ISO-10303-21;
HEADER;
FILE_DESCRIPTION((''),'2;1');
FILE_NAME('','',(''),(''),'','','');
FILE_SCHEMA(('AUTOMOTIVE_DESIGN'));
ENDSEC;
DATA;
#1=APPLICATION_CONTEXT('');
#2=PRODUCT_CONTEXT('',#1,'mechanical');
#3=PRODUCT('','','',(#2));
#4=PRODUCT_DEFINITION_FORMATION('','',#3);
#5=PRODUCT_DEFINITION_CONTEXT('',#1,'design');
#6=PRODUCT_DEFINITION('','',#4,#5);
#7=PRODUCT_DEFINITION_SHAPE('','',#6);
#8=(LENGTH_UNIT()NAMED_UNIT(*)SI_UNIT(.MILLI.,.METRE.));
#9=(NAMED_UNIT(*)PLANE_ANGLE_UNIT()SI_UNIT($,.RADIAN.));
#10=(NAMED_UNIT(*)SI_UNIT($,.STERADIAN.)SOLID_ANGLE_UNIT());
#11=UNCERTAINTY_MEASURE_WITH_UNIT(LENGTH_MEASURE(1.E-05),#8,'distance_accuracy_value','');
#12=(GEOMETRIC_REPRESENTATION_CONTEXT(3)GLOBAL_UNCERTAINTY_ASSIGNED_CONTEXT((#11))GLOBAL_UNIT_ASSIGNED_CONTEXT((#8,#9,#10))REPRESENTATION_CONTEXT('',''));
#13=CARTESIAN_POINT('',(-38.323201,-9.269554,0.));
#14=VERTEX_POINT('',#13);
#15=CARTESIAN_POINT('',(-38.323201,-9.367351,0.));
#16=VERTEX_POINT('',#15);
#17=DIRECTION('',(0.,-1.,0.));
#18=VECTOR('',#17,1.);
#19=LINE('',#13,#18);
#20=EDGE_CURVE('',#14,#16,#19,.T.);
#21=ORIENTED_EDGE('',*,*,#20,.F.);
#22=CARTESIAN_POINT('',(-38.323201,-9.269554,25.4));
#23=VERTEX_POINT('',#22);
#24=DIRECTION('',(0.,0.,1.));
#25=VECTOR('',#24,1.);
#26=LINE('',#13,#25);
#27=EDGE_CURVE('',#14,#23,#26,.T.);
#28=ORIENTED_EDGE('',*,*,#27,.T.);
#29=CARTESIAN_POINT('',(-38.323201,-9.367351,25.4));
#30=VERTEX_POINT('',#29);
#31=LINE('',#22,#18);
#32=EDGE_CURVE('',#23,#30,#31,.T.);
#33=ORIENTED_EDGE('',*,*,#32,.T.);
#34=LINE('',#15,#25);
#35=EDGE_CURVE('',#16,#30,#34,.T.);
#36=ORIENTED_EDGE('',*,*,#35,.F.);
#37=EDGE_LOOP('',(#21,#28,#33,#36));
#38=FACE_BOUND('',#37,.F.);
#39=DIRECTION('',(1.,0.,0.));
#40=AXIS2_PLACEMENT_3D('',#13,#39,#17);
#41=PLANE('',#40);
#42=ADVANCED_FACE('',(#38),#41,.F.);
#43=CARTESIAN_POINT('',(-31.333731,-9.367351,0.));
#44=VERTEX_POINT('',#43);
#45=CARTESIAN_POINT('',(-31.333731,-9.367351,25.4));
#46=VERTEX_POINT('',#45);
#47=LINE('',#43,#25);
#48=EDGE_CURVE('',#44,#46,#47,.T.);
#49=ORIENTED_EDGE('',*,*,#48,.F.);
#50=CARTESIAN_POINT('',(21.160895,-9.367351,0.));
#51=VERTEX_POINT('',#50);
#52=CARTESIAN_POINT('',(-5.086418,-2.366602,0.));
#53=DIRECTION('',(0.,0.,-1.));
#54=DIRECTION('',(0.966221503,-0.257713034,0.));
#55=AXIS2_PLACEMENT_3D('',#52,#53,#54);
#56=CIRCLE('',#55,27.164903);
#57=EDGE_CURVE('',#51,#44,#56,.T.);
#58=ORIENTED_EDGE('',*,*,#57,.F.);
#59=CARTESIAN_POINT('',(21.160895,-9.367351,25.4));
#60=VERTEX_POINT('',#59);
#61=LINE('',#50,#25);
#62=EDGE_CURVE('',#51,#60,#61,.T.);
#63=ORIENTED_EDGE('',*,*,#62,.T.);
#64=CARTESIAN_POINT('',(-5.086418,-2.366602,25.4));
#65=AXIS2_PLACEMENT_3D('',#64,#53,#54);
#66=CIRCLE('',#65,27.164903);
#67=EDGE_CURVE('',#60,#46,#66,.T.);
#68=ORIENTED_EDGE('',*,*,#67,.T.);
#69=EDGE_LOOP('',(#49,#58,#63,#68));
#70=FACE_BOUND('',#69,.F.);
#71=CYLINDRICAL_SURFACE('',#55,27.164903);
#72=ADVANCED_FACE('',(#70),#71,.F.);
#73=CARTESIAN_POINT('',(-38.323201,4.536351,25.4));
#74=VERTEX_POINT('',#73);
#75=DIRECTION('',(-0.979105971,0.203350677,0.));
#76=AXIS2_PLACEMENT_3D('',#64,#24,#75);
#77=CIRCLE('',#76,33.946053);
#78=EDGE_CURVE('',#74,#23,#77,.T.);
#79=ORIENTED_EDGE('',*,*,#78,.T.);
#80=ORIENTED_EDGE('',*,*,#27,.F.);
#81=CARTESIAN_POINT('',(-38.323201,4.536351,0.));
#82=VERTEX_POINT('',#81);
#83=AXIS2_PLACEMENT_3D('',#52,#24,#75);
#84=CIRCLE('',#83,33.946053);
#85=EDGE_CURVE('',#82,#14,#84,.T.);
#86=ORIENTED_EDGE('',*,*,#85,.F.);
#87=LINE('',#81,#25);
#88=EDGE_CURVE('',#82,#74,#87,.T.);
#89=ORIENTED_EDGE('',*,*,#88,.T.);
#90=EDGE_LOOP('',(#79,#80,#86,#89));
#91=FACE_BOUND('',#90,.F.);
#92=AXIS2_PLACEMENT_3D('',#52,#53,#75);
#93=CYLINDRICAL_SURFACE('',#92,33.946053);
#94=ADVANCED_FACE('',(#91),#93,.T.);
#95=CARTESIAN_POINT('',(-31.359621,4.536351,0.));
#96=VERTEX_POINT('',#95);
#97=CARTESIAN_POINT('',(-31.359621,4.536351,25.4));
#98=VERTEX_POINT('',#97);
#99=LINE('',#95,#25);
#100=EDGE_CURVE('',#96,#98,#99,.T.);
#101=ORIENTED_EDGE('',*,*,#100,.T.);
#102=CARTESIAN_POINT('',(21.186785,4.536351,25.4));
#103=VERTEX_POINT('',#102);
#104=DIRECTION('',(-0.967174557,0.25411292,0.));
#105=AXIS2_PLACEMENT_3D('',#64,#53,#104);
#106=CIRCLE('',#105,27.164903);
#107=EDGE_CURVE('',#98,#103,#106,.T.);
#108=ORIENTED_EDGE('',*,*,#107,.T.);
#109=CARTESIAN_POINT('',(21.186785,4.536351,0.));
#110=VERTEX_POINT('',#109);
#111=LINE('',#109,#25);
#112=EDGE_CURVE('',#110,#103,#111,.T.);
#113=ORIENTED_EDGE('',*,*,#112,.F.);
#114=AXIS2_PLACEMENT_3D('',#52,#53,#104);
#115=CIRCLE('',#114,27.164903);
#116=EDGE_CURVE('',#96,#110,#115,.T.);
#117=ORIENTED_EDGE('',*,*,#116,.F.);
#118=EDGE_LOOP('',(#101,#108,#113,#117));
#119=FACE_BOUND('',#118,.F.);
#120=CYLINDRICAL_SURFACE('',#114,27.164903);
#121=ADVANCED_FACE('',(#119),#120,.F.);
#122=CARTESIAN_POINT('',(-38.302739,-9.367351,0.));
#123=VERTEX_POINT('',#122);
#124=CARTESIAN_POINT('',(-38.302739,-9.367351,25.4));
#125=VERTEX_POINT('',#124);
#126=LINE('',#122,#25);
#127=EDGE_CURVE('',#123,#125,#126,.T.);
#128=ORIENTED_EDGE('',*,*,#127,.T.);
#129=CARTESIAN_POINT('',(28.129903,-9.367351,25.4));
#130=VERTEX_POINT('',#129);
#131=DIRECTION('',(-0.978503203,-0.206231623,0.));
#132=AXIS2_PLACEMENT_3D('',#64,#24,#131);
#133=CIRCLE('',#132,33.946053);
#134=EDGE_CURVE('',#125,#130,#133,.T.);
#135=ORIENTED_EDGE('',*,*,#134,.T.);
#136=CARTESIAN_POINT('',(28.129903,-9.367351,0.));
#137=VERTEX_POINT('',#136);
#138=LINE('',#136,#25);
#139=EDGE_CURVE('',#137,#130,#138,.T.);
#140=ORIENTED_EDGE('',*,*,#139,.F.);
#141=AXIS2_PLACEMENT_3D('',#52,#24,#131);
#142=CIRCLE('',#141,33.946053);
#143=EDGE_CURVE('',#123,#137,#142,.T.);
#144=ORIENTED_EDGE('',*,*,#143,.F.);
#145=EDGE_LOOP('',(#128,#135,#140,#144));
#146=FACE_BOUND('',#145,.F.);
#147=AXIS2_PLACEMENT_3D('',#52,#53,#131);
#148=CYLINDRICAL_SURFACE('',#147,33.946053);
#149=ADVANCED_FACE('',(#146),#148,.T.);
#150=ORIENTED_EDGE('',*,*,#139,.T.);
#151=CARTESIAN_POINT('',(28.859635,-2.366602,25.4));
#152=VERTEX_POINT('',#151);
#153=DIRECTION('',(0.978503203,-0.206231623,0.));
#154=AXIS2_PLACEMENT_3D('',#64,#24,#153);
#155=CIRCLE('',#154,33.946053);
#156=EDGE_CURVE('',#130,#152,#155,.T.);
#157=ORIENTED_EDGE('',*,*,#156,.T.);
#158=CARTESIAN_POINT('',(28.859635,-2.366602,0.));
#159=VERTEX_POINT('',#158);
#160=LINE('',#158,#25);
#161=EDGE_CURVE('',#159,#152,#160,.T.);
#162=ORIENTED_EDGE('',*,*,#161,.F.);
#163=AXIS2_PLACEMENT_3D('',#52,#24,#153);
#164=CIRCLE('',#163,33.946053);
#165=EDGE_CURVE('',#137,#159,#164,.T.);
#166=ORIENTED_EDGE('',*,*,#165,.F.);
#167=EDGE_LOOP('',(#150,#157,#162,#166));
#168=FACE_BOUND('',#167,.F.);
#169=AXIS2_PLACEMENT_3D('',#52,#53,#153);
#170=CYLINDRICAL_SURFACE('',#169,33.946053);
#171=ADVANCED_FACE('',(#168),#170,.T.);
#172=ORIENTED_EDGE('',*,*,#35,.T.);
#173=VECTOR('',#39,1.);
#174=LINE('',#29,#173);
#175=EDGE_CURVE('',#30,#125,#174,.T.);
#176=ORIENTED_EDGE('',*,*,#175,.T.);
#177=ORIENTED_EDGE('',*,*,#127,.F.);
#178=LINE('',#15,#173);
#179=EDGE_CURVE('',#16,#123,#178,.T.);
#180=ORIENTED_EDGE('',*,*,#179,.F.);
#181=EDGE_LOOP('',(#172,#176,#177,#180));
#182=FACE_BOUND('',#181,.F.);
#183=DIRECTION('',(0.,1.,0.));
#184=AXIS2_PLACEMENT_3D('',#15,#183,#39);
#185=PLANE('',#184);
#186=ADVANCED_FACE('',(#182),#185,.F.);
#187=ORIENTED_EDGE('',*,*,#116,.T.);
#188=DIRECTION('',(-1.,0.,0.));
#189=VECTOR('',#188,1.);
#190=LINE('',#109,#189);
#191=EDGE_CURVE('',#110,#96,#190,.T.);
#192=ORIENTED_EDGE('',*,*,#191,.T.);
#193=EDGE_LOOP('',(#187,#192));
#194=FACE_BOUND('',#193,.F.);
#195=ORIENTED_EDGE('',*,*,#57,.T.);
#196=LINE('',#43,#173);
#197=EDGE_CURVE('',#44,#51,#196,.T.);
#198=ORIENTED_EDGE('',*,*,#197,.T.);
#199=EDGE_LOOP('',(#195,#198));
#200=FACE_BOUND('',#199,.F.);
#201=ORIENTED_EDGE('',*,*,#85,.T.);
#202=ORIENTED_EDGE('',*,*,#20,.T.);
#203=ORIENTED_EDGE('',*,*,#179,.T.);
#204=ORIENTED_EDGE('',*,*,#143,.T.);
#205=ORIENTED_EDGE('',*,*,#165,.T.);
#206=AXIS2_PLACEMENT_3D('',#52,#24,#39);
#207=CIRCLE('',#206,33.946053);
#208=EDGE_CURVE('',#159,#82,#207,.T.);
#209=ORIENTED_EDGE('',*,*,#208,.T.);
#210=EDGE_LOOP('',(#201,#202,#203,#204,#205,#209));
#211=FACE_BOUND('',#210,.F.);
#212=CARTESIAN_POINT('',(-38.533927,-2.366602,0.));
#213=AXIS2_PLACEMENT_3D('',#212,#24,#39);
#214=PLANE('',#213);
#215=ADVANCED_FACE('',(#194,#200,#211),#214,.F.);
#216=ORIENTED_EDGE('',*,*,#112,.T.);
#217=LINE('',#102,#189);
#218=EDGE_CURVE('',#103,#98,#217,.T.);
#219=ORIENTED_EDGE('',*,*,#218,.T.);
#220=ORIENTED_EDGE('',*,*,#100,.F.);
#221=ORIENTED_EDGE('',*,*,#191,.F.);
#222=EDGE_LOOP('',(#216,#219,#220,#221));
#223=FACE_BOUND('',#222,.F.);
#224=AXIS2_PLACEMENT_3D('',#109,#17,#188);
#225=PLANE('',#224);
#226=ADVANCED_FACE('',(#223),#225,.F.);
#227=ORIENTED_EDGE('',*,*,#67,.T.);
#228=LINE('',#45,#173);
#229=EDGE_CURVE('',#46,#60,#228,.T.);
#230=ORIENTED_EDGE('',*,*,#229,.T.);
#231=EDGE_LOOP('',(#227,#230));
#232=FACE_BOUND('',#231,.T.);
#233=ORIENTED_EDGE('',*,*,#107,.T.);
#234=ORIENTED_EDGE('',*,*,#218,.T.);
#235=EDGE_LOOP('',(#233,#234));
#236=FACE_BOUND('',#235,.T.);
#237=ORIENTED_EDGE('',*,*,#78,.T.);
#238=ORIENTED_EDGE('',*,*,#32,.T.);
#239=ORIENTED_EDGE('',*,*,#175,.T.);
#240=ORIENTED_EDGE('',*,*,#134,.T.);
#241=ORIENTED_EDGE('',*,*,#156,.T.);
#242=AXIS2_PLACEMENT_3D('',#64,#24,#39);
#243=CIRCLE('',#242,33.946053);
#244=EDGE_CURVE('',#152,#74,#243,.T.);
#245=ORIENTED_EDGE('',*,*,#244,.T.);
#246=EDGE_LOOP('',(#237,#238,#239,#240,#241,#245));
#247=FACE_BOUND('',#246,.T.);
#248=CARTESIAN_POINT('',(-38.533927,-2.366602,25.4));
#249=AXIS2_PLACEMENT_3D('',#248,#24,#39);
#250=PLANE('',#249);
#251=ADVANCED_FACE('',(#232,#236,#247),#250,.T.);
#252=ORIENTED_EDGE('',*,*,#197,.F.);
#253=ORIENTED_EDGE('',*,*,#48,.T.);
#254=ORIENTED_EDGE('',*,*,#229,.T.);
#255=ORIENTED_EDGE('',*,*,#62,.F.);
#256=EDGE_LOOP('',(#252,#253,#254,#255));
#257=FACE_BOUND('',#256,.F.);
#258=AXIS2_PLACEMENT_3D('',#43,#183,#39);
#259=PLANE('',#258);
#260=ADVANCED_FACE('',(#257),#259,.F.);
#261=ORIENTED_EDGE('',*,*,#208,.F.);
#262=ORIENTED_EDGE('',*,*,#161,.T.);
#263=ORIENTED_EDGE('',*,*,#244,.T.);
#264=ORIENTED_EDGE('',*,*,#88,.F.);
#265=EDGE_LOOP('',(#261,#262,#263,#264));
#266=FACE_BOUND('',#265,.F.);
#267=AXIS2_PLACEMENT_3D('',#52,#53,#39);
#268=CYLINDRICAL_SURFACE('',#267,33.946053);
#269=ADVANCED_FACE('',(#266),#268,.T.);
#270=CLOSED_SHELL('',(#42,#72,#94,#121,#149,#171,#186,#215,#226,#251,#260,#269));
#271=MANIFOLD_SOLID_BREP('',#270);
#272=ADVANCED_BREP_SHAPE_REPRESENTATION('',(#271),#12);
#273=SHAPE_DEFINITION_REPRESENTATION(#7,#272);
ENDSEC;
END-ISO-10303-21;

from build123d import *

# Parameters (mm, degrees)
F1_DEPTH = 25.4


with BuildPart() as f1:
    # F0 (on Top) → F1 (new body)
    with BuildSketch(Plane.XY):
        with BuildLine():
            Line((-38.3232010191, -9.2695544713), (-38.3232010191, 4.5363511242))
            ThreePointArc((-38.3232010191, 4.5363511242), (-39.0324708339, -2.3666016735), (-38.3232010191, -9.2695544713))
        make_face()
        with BuildLine():
            Line((-38.3232010191, -9.3673512232), (-38.3027394177, -9.3673512232))
            ThreePointArc((-38.3027394177, -9.3673512232), (-38.3130061994, -9.3184603754), (-38.3232010191, -9.2695544713))
            Line((-38.3232010191, -9.2695544713), (-38.3232010191, -9.3673512232))
        make_face()
        with BuildLine():
            Line((28.1299031098, -9.3673512232), (21.1608951311, -9.3673512232))
            ThreePointArc((21.1608951311, -9.3673512232), (-5.0864181539, -29.531504562), (-31.333731439, -9.3673512232))
            Line((-31.333731439, -9.3673512232), (-38.3027394177, -9.3673512232))
            ThreePointArc((-38.3027394177, -9.3673512232), (-5.0864181539, -36.3126543535), (28.1299031098, -9.3673512232))
        make_face()
        with BuildLine():
            ThreePointArc((-31.3596210728, 4.5363511242), (-5.0864181539, 24.798301215), (21.1867847649, 4.5363511242))
            Line((21.1867847649, 4.5363511242), (28.1299031098, 4.5363511242))
            Line((28.1299031098, 4.5363511242), (28.1299031098, -9.3673512232))
            ThreePointArc((28.1299031098, -9.3673512232), (28.6767088044, -5.8859411782), (28.859634526, -2.3666016735))
            ThreePointArc((28.859634526, -2.3666016735), (-1.6167704413, 31.4016680082), (-38.3232010191, 4.5363511242))
            Line((-38.3232010191, 4.5363511242), (-31.3596210728, 4.5363511242))
        make_face()
        with BuildLine():
            ThreePointArc((-31.333731439, -9.3673512232), (-32.2512739482, -2.4171844716), (-31.3596210728, 4.5363511242))
            Line((-31.3596210728, 4.5363511242), (-38.3232010191, 4.5363511242))
            Line((-38.3232010191, 4.5363511242), (-38.3232010191, -9.2695544713))
            ThreePointArc((-38.3232010191, -9.2695544713), (-38.3130061994, -9.3184603754), (-38.3027394177, -9.3673512232))
            Line((-38.3027394177, -9.3673512232), (-31.333731439, -9.3673512232))
        make_face()
        with BuildLine():
            ThreePointArc((-15.2330139437, -9.3673512232), (-17.413639831, -2.425814033), (-15.2997987426, 4.5363511242))
            Line((-15.2997987426, 4.5363511242), (-23.2268771343, 4.5363511242))
            ThreePointArc((-23.2268771343, 4.5363511242), (-24.4958041931, -2.4189746532), (-23.1893603206, -9.3673512232))
            Line((-23.1893603206, -9.3673512232), (-15.2330139437, -9.3673512232))
        make_face()
        with BuildLine():
            ThreePointArc((5.1269624347, 4.5363511242), (6.7006077517, 1.2430964686), (7.240945732, -2.3666016735))
            ThreePointArc((7.240945732, -2.3666016735), (6.6831332156, -6.0328751135), (5.0601776358, -9.3673512232))
            Line((5.0601776358, -9.3673512232), (13.0165240127, -9.3673512232))
            ThreePointArc((13.0165240127, -9.3673512232), (13.9936143598, -5.9274117808), (14.323038545, -2.3666016735))
            ThreePointArc((14.323038545, -2.3666016735), (14.0031531145, 1.1427113838), (13.0540408264, 4.5363511242))
            Line((13.0540408264, 4.5363511242), (5.1269624347, 4.5363511242))
        make_face()
        with BuildLine():
            ThreePointArc((5.0601776358, -9.3673512232), (6.6831332156, -6.0328751135), (7.240945732, -2.3666016735))
            ThreePointArc((7.240945732, -2.3666016735), (6.7006077517, 1.2430964686), (5.1269624347, 4.5363511242))
            Line((5.1269624347, 4.5363511242), (-15.2997987426, 4.5363511242))
            ThreePointArc((-15.2997987426, 4.5363511242), (-17.413639831, -2.425814033), (-15.2330139437, -9.3673512232))
            Line((-15.2330139437, -9.3673512232), (5.0601776358, -9.3673512232))
        make_face()
        with BuildLine():
            ThreePointArc((-23.1893603206, -9.3673512232), (-24.4958041931, -2.4189746532), (-23.2268771343, 4.5363511242))
            Line((-23.2268771343, 4.5363511242), (-31.3596210728, 4.5363511242))
            ThreePointArc((-31.3596210728, 4.5363511242), (-32.2512739482, -2.4171844716), (-31.333731439, -9.3673512232))
            Line((-31.333731439, -9.3673512232), (-23.1893603206, -9.3673512232))
        make_face()
        with BuildLine():
            Line((21.1867847649, 4.5363511242), (13.0540408264, 4.5363511242))
            ThreePointArc((13.0540408264, 4.5363511242), (14.0031531145, 1.1427113838), (14.323038545, -2.3666016735))
            ThreePointArc((14.323038545, -2.3666016735), (13.9936143598, -5.9274117808), (13.0165240127, -9.3673512232))
            Line((13.0165240127, -9.3673512232), (21.1608951311, -9.3673512232))
            ThreePointArc((21.1608951311, -9.3673512232), (21.8481104795, -5.8969155738), (22.0784847346, -2.3666016735))
            ThreePointArc((22.0784847346, -2.3666016735), (21.8546374564, 1.1135522801), (21.1867847649, 4.5363511242))
        make_face()
        with BuildLine():
            Line((28.1299031098, 4.5363511242), (21.1867847649, 4.5363511242))
            ThreePointArc((21.1867847649, 4.5363511242), (21.8546374564, 1.1135522801), (22.0784847346, -2.3666016735))
            ThreePointArc((22.0784847346, -2.3666016735), (21.8481104795, -5.8969155738), (21.1608951311, -9.3673512232))
            Line((21.1608951311, -9.3673512232), (28.1299031098, -9.3673512232))
            Line((28.1299031098, -9.3673512232), (28.1299031098, 4.5363511242))
        make_face()
    extrude(amount=F1_DEPTH)


solid = f1.part
